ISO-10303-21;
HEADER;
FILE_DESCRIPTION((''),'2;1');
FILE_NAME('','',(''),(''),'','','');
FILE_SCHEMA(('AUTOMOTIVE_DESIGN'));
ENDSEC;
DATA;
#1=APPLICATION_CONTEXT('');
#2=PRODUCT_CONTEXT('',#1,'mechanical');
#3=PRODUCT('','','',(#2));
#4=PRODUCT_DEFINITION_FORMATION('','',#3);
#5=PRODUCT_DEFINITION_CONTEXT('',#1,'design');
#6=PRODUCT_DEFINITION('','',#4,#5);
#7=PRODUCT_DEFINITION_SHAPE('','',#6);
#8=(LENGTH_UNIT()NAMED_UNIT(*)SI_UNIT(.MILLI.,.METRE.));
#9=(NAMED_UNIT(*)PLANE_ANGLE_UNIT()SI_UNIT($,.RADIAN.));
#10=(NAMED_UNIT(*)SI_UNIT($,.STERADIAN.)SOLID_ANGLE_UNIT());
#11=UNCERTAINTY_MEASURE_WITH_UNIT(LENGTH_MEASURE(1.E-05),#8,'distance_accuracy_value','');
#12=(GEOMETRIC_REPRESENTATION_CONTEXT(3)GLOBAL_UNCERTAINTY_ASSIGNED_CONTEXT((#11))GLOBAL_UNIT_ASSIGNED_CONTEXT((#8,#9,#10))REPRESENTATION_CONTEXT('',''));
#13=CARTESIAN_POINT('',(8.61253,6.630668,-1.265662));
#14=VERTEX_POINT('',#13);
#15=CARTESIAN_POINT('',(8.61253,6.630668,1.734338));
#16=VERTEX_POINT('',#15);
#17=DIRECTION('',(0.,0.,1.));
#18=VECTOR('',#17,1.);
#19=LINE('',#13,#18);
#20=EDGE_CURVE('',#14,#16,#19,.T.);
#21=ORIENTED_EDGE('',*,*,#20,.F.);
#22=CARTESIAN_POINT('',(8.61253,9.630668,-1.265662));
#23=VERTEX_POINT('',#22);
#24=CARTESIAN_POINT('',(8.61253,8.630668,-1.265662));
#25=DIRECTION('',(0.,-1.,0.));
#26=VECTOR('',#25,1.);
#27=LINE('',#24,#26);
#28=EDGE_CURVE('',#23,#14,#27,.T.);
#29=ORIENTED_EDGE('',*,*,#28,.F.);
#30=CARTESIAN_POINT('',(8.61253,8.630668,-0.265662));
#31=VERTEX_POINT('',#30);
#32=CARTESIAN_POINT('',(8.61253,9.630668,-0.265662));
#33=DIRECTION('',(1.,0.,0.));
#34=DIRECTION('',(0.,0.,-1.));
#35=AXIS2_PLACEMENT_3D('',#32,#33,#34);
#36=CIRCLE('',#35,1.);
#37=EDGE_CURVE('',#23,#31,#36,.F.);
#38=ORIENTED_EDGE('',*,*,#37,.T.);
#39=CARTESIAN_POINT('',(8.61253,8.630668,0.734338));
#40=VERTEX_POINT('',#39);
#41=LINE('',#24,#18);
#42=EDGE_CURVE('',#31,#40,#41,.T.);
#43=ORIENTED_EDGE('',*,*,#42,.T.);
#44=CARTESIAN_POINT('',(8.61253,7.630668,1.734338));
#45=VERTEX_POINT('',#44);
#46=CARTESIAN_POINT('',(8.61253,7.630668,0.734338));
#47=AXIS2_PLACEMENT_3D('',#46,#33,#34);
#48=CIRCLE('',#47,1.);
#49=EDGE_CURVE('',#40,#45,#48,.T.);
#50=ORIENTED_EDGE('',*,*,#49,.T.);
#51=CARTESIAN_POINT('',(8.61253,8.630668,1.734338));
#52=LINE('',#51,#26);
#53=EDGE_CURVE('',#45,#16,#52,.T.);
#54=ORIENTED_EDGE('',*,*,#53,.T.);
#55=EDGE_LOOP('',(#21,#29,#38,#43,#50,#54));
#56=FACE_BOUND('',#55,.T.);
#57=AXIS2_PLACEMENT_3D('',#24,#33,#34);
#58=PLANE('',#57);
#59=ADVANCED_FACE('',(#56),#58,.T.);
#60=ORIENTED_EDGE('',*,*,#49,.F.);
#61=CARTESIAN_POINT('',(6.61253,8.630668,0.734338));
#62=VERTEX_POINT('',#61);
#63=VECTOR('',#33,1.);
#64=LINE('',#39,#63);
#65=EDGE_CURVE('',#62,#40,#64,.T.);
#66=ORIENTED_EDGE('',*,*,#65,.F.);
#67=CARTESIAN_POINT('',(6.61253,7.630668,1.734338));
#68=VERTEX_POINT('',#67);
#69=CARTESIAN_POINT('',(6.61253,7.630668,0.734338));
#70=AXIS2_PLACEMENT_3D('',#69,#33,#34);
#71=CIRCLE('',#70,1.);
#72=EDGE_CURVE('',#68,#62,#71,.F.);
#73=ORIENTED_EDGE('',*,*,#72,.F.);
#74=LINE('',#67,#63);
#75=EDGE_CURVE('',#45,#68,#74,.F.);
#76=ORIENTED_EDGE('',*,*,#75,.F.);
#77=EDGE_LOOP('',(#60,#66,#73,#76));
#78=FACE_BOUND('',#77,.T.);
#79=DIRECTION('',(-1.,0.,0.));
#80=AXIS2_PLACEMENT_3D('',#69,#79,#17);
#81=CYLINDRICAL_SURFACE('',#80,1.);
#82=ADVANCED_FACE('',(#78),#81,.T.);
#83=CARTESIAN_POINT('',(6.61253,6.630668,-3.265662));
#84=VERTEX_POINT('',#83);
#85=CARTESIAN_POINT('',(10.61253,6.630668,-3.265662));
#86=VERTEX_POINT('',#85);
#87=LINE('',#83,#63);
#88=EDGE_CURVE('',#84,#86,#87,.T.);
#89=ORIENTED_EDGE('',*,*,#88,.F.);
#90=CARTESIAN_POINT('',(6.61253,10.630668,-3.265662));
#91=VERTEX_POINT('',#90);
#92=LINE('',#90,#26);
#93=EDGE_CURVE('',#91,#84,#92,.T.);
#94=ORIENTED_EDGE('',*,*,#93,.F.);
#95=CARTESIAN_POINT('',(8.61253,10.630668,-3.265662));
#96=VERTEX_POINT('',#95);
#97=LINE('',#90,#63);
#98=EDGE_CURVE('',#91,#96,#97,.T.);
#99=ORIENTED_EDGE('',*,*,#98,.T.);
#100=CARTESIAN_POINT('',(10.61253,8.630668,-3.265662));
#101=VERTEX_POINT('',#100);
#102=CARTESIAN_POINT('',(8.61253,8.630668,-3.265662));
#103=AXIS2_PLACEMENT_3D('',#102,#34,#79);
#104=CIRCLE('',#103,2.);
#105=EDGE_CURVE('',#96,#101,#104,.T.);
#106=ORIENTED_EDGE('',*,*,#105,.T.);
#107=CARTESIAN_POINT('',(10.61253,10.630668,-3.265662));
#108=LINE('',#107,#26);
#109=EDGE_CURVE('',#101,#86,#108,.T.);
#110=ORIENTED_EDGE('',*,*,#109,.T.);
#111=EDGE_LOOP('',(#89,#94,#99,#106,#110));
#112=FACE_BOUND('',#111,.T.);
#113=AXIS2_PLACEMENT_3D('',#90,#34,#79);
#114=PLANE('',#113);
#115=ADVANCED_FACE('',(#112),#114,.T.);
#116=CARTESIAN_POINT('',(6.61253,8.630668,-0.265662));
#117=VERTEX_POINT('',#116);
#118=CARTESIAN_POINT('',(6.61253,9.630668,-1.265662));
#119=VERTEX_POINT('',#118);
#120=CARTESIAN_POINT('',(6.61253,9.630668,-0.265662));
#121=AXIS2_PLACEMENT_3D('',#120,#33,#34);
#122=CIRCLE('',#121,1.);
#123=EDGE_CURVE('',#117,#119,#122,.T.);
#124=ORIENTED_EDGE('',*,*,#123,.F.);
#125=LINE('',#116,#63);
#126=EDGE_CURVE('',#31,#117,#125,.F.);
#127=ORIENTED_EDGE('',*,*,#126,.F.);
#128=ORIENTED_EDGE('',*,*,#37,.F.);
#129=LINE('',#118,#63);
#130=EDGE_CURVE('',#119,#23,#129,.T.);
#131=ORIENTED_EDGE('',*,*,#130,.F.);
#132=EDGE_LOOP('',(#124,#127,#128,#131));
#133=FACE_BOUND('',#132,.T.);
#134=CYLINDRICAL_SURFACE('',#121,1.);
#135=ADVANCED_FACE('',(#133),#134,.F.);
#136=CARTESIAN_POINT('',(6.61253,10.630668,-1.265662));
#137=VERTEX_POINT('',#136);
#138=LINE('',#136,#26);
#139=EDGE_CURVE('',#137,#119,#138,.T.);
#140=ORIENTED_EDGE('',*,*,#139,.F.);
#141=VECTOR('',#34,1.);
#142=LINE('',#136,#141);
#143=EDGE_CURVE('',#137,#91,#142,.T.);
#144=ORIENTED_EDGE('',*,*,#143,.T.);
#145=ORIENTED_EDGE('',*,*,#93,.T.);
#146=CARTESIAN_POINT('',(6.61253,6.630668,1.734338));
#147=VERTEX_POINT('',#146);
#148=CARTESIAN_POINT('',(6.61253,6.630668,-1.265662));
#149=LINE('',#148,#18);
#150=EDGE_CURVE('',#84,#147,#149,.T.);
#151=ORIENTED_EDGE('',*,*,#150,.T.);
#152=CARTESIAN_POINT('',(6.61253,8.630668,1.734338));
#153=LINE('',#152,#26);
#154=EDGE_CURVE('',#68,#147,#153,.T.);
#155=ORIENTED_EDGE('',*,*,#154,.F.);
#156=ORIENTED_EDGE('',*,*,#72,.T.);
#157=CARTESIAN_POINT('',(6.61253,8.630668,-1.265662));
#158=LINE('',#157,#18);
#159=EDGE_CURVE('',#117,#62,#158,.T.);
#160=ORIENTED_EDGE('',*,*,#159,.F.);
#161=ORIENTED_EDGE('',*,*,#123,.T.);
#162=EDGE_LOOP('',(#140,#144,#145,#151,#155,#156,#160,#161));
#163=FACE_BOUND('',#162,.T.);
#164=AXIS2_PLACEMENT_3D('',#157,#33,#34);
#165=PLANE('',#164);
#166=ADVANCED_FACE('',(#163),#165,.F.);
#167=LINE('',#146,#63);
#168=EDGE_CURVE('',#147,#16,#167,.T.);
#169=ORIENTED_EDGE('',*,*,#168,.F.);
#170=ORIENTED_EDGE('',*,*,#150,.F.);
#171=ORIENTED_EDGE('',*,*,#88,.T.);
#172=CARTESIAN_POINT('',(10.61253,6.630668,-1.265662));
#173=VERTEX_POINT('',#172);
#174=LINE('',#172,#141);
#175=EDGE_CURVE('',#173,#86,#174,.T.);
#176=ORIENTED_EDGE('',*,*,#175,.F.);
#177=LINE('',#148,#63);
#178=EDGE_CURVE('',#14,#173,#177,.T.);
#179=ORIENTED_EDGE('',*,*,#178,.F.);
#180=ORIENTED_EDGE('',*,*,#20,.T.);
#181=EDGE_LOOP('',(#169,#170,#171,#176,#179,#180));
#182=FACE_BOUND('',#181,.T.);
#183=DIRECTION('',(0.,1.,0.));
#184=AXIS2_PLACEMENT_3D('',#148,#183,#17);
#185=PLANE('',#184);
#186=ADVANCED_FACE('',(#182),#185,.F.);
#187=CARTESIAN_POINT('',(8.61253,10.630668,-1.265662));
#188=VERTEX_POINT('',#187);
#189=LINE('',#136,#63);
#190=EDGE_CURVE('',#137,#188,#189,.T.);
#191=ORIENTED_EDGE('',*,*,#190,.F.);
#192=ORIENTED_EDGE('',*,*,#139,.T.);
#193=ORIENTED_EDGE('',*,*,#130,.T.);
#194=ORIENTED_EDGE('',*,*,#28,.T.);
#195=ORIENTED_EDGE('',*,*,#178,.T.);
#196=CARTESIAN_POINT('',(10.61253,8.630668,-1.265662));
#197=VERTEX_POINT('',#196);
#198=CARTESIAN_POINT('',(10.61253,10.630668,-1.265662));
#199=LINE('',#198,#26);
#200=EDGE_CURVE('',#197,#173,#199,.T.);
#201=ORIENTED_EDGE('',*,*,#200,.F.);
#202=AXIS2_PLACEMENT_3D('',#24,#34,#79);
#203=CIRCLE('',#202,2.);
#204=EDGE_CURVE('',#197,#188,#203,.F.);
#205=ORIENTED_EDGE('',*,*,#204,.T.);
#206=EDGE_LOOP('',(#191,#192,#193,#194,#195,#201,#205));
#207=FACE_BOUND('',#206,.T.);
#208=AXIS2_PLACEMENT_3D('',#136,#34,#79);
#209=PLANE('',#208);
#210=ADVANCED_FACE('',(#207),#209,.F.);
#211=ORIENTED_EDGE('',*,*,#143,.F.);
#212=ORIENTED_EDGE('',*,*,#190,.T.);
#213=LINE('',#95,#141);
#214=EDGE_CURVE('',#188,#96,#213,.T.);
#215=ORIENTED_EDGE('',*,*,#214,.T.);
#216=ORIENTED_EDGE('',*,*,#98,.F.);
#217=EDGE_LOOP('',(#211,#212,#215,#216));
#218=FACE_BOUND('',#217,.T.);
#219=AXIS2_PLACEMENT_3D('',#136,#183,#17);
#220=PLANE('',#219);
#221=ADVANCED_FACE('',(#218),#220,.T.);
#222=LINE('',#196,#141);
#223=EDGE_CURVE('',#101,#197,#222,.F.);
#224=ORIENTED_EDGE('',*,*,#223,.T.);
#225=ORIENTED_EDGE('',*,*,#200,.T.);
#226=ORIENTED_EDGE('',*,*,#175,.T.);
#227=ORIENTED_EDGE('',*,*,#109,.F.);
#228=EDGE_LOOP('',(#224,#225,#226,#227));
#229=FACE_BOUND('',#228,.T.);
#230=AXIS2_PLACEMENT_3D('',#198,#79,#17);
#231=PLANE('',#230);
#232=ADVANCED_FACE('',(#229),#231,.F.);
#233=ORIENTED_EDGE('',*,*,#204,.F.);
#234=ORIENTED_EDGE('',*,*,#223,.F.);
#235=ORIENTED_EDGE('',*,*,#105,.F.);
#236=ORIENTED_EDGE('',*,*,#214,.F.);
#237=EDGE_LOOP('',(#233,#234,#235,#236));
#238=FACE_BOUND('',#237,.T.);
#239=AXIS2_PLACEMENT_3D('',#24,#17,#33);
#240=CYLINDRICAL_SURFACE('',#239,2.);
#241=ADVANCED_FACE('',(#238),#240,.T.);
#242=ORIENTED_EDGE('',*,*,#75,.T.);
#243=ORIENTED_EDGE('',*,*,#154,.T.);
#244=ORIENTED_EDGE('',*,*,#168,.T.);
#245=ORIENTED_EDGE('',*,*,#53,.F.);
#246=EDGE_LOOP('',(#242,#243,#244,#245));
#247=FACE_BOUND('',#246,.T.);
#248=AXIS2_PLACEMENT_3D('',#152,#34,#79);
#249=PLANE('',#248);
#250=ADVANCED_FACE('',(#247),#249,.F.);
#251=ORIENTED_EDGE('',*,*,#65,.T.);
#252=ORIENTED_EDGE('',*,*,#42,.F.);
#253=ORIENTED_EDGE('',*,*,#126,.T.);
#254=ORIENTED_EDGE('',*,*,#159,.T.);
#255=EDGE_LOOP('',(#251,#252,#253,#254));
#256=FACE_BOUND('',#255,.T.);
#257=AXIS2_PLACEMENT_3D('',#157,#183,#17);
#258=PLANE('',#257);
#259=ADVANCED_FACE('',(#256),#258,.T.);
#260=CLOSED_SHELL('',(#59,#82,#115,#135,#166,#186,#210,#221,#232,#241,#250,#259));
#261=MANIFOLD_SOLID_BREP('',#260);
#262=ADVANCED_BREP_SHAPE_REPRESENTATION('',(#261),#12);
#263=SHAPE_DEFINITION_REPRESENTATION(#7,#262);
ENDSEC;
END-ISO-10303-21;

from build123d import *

# Parameters (mm, degrees)
SKETCH_1_W      = 10
SKETCH_1_H      = 15
EXTRUDE_1_DEPTH = 10
EXTRUDE_2_DEPTH = 20
FILLET_1_R      = 5
FILLET_2_R      = 10
SCALE_1_SCALE   = 0.2


with BuildPart() as part:
    # 草圖1 → 填料-伸長1 (new body)
    with BuildSketch(Plane(origin=(0, 0, 0), x_dir=(1, 0, 0), z_dir=(0, 1, 0))):
        with Locations((5, -7.5)):
            Rectangle(SKETCH_1_W, SKETCH_1_H)
    extrude(amount=EXTRUDE_1_DEPTH)

    # 草圖1<3> → 填料-伸長2 (add)
    with BuildSketch(Plane(origin=(0, 0, 0), x_dir=(1, 0, 0), z_dir=(0, 1, 0))):
        Polygon((0, 10), (0, 0), (10, 0), (20, 0), (20, 10), align=None)
    extrude(amount=EXTRUDE_2_DEPTH)

    # 圓角1
    fillet_1_edges = [part.edges().sort_by_distance(p)[0] for p in [
        (5, 10, 15),
        (5, 10, 0),
    ]]
    fillet(fillet_1_edges, radius=FILLET_1_R)

    # 圓角2
    fillet_2_edges = [part.edges().sort_by_distance(p)[0] for p in [
        (20, 20, -5),
    ]]
    fillet(fillet_2_edges, radius=FILLET_2_R)


with BuildPart() as part_1:
    # 縮放比例1: scaled about (8.26566204, 8.288335436, -1.58207755)
    add(part.part.scale(SCALE_1_SCALE).moved(Location((6.612529632, 6.630668349, -1.26566204))))


solid = part_1.part
